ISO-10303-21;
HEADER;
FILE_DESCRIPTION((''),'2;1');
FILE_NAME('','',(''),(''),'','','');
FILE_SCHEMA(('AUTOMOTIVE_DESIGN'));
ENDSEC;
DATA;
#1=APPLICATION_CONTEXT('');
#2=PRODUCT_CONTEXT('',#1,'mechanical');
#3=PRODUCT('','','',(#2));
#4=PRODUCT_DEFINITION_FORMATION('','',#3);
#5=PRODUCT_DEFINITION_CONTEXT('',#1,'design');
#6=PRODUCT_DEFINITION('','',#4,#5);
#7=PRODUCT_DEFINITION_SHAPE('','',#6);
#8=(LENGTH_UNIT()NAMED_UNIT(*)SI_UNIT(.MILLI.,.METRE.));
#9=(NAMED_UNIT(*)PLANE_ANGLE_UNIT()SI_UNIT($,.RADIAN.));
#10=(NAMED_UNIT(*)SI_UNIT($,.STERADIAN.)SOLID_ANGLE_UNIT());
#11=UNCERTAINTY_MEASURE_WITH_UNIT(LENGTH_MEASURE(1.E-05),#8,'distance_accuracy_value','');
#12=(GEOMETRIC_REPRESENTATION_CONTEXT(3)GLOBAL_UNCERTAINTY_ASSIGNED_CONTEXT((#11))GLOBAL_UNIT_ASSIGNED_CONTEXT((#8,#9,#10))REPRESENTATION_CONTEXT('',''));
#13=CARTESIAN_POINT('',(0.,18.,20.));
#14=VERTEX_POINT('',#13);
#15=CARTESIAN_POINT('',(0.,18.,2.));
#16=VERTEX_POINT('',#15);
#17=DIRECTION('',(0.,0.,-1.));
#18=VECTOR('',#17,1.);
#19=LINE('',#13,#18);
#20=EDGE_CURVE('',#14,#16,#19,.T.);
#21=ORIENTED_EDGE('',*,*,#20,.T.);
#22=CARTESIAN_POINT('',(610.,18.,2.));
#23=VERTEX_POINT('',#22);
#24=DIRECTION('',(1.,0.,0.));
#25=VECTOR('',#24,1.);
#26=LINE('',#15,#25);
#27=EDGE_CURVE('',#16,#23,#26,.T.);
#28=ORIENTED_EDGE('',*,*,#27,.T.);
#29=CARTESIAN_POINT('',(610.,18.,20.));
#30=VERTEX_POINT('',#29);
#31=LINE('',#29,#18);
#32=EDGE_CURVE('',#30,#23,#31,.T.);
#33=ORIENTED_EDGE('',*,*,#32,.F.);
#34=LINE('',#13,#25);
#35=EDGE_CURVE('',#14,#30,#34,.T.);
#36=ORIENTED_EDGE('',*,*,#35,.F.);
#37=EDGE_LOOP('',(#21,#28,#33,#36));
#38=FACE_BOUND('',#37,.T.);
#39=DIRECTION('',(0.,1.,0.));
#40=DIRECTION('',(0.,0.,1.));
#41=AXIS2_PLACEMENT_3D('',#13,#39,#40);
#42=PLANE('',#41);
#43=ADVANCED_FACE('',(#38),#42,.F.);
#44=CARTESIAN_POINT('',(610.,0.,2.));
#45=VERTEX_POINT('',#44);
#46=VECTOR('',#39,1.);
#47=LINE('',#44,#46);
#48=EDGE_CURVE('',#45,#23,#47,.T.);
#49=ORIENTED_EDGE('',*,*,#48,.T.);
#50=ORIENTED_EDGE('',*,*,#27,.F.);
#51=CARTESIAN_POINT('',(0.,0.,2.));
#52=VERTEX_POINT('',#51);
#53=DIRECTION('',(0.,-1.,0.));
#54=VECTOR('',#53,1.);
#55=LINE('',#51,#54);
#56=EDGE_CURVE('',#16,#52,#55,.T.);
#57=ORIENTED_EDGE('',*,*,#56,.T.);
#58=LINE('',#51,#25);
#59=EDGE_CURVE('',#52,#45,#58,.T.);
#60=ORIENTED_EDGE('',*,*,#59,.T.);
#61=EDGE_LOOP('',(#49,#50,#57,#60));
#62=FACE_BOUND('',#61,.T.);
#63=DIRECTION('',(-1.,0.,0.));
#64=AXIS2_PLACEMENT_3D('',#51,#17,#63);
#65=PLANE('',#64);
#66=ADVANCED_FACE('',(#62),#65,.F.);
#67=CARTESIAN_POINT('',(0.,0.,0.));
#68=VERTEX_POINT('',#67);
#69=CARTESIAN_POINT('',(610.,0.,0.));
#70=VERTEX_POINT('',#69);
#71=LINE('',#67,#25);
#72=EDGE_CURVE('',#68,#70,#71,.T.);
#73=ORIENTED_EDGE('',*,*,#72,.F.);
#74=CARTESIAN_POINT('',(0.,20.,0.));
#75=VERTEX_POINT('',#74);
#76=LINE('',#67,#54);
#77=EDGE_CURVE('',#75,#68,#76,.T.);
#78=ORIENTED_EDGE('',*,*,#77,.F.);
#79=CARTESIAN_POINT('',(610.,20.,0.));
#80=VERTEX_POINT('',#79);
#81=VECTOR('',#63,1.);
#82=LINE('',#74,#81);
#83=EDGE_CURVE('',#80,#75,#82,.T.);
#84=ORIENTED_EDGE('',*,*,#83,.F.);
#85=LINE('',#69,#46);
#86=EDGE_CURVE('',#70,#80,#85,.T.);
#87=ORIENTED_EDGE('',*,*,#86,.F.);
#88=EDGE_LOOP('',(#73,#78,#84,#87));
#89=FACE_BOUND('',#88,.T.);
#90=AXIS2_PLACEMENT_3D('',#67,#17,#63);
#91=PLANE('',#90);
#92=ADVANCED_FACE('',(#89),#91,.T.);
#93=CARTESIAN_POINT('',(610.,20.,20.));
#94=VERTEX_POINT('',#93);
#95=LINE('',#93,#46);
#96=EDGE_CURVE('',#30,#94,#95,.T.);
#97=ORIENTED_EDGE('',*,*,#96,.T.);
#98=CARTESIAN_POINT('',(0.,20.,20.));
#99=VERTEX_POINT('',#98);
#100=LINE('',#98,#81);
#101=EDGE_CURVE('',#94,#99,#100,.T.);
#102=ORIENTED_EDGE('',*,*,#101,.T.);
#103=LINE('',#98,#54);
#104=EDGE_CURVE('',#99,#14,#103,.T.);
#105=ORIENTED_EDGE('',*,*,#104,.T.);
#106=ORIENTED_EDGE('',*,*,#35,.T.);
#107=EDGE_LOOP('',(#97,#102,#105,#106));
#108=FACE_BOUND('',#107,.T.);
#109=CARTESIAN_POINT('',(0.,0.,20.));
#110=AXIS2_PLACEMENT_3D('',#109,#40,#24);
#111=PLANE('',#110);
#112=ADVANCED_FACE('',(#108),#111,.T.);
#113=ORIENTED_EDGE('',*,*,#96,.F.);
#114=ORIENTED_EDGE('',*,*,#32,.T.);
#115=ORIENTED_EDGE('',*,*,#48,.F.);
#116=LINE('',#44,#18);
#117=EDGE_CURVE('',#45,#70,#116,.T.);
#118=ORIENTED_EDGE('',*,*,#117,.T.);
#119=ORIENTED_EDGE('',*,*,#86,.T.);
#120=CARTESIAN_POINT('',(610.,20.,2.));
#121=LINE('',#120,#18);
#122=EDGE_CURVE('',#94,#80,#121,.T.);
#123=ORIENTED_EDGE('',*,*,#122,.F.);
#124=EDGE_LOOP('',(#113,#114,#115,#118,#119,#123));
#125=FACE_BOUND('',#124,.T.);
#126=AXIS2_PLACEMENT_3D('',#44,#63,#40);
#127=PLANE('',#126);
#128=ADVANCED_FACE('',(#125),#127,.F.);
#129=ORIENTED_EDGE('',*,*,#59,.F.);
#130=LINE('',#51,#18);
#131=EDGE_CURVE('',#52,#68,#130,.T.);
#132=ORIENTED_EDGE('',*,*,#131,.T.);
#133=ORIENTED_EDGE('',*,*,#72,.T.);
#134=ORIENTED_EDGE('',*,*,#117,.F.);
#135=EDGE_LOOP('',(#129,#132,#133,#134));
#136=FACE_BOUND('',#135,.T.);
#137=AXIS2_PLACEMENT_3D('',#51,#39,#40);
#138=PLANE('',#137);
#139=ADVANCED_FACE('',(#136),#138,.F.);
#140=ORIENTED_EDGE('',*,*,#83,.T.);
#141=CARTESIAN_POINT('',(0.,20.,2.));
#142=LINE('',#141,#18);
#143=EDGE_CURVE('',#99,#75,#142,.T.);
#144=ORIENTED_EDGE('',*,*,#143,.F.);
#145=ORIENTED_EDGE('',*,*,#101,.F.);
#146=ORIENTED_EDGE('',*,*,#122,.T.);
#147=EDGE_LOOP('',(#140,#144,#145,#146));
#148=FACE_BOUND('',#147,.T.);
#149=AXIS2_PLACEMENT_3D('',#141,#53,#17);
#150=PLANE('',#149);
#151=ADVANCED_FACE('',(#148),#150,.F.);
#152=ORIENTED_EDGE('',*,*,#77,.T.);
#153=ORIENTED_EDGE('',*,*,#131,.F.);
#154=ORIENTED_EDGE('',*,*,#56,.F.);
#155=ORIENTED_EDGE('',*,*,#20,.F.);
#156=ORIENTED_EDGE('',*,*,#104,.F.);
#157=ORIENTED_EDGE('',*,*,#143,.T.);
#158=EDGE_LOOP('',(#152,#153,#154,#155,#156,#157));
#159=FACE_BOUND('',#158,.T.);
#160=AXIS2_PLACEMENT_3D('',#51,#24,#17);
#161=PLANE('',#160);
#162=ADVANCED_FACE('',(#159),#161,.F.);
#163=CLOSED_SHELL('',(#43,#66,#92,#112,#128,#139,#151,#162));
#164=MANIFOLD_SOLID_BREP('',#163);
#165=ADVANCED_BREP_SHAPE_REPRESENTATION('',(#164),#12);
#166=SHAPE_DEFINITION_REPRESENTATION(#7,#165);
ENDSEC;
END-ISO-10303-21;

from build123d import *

# Parameters (mm, degrees)
ESQUISSE1_W        = 610
ESQUISSE1_H        = 20
BOSS_EXTRU_1_DEPTH = 2
ESQUISSE2_W        = 610
ESQUISSE2_H        = 2
BOSS_EXTRU_2_DEPTH = 18


with BuildPart() as part:
    # Esquisse1 → Boss.-Extru.1 (new body)
    with BuildSketch(Plane.XY):
        with Locations((305, 10)):
            Rectangle(ESQUISSE1_W, ESQUISSE1_H)
    extrude(amount=BOSS_EXTRU_1_DEPTH)

    # Esquisse2 → Boss.-Extru.2 (add)
    with BuildSketch(Plane.XY.offset(2)):
        with Locations((305, 19)):
            Rectangle(ESQUISSE2_W, ESQUISSE2_H)
    extrude(amount=BOSS_EXTRU_2_DEPTH)


solid = part.part
